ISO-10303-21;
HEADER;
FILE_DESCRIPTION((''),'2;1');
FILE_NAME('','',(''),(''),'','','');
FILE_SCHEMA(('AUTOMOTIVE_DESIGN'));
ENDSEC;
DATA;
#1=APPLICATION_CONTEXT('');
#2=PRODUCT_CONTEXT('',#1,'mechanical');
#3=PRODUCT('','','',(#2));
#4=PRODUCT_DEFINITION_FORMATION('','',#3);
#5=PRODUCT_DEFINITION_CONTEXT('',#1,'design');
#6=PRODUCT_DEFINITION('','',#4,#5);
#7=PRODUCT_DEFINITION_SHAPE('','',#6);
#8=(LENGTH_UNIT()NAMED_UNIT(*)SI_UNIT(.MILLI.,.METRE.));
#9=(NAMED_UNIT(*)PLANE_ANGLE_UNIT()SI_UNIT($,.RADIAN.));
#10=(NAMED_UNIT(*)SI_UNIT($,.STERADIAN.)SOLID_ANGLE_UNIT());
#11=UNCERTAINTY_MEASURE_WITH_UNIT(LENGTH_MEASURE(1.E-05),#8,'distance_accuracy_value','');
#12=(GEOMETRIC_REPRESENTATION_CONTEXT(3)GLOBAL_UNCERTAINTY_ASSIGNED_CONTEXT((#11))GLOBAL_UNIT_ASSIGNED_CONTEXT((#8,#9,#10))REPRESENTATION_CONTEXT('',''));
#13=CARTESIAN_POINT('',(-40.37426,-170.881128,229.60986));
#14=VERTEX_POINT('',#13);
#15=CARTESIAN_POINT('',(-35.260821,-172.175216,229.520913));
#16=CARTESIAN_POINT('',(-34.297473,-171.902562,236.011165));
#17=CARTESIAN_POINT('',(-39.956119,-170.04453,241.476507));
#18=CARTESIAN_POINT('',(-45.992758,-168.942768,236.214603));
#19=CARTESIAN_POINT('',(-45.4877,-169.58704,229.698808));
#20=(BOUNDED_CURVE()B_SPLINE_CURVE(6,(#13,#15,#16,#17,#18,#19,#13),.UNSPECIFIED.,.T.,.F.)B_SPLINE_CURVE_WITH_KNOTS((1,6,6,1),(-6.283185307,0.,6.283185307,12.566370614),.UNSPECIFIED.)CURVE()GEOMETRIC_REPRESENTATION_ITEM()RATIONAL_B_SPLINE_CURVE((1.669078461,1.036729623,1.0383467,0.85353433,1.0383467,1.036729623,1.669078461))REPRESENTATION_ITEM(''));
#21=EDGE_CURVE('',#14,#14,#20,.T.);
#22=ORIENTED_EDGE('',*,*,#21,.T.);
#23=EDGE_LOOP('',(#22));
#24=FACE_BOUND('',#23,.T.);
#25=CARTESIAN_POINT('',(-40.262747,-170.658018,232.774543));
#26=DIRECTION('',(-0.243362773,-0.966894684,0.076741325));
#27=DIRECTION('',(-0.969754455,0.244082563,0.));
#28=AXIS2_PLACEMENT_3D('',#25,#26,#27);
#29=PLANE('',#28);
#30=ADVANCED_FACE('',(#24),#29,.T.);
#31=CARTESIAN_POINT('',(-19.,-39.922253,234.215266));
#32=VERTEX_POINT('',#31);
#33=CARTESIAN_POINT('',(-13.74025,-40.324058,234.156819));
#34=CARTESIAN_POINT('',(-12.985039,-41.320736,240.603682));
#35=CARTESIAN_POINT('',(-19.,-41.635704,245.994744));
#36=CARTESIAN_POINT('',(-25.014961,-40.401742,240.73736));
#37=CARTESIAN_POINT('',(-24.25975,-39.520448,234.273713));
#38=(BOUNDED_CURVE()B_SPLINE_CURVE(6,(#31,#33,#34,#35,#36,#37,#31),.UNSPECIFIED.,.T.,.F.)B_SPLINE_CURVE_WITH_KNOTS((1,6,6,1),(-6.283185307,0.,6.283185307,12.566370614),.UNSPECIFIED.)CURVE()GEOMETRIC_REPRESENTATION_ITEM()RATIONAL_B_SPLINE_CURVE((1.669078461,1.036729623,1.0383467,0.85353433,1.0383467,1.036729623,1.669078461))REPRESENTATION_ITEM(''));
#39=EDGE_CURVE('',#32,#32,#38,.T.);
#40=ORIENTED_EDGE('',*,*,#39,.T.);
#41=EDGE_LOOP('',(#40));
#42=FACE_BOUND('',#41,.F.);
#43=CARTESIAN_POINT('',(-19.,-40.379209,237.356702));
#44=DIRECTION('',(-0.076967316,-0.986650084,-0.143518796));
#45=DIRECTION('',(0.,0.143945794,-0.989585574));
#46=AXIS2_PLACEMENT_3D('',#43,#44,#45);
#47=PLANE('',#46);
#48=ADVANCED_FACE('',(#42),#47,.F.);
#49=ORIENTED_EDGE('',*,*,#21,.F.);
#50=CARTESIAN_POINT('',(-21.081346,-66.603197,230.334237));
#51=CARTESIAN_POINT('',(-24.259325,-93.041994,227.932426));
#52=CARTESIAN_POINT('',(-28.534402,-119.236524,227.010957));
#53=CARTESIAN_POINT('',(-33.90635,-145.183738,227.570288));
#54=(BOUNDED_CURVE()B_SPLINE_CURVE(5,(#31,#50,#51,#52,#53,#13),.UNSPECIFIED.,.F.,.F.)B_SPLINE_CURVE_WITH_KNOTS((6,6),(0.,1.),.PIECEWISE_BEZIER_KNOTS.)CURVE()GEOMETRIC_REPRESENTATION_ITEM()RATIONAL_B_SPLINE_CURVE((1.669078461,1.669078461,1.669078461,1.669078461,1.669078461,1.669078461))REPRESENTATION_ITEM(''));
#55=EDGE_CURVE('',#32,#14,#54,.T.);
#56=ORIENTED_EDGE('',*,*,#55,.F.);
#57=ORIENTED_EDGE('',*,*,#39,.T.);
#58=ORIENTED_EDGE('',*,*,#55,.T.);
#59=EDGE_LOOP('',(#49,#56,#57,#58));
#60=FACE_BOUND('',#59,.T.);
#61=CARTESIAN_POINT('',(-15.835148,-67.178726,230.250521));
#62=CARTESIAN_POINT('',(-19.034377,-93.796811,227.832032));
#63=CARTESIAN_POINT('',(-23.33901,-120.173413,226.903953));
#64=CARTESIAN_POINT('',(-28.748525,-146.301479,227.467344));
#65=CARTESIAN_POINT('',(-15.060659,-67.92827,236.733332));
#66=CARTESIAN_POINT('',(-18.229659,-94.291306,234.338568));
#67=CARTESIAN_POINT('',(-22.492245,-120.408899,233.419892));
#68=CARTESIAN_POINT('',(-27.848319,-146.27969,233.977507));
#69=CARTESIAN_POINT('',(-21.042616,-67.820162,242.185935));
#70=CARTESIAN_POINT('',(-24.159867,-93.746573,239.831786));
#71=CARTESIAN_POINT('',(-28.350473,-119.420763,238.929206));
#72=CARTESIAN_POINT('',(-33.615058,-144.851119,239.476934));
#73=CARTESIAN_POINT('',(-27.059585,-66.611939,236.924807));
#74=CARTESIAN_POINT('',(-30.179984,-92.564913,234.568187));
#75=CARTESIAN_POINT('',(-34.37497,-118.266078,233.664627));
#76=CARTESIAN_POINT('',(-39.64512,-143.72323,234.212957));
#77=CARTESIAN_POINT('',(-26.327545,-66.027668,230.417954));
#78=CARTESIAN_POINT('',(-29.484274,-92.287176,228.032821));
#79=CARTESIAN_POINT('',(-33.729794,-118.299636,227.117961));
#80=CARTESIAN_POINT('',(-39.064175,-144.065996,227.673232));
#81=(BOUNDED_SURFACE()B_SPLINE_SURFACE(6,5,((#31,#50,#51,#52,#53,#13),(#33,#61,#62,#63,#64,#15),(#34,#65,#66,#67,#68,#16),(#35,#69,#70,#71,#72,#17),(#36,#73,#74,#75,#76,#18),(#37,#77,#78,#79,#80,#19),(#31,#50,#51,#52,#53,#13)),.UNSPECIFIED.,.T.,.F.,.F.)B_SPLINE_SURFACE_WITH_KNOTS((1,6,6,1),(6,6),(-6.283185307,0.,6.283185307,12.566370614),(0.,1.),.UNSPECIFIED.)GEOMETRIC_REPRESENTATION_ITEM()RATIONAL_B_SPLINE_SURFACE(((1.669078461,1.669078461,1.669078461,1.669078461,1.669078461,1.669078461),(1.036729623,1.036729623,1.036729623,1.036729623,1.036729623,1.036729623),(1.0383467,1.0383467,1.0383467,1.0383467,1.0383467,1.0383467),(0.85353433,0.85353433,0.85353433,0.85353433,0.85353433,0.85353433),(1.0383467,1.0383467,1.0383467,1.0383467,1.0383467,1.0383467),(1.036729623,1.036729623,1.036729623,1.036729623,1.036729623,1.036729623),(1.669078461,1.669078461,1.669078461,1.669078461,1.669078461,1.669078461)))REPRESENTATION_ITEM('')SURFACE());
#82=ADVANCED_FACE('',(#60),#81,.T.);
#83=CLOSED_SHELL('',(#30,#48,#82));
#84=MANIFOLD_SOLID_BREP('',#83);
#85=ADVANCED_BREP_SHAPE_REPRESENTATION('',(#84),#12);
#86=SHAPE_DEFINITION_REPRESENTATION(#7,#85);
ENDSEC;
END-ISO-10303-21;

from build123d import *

# Parameters (mm, degrees)
SWEEP1_PROFILE_R = 3.175


with BuildPart() as part:
    # Sweep1: sweep along a curve in space
    with BuildLine() as sweep1_path:
        add(Edge.make_bspline(
            [(-19, -40.379280951, 237.3572), (-24.177539873, -106.750572168, 227.702786585), (-40.262729761, -170.657982601, 232.775044665)],
            knots=[0, 0, 0, 1, 1, 1], degree=2))
    # Sweep1 profile (on start of the path) → Sweep1 (sweep)
    with BuildSketch(Plane(origin=(-19, -40.379280951, 237.3572), x_dir=(0, 0.14394579441951494, -0.9895855740000128), z_dir=(-0.07696731605498296, -0.9866500835962143, -0.1435187959776544))):
        Circle(SWEEP1_PROFILE_R)
    sweep(path=sweep1_path.line)


solid = part.part
